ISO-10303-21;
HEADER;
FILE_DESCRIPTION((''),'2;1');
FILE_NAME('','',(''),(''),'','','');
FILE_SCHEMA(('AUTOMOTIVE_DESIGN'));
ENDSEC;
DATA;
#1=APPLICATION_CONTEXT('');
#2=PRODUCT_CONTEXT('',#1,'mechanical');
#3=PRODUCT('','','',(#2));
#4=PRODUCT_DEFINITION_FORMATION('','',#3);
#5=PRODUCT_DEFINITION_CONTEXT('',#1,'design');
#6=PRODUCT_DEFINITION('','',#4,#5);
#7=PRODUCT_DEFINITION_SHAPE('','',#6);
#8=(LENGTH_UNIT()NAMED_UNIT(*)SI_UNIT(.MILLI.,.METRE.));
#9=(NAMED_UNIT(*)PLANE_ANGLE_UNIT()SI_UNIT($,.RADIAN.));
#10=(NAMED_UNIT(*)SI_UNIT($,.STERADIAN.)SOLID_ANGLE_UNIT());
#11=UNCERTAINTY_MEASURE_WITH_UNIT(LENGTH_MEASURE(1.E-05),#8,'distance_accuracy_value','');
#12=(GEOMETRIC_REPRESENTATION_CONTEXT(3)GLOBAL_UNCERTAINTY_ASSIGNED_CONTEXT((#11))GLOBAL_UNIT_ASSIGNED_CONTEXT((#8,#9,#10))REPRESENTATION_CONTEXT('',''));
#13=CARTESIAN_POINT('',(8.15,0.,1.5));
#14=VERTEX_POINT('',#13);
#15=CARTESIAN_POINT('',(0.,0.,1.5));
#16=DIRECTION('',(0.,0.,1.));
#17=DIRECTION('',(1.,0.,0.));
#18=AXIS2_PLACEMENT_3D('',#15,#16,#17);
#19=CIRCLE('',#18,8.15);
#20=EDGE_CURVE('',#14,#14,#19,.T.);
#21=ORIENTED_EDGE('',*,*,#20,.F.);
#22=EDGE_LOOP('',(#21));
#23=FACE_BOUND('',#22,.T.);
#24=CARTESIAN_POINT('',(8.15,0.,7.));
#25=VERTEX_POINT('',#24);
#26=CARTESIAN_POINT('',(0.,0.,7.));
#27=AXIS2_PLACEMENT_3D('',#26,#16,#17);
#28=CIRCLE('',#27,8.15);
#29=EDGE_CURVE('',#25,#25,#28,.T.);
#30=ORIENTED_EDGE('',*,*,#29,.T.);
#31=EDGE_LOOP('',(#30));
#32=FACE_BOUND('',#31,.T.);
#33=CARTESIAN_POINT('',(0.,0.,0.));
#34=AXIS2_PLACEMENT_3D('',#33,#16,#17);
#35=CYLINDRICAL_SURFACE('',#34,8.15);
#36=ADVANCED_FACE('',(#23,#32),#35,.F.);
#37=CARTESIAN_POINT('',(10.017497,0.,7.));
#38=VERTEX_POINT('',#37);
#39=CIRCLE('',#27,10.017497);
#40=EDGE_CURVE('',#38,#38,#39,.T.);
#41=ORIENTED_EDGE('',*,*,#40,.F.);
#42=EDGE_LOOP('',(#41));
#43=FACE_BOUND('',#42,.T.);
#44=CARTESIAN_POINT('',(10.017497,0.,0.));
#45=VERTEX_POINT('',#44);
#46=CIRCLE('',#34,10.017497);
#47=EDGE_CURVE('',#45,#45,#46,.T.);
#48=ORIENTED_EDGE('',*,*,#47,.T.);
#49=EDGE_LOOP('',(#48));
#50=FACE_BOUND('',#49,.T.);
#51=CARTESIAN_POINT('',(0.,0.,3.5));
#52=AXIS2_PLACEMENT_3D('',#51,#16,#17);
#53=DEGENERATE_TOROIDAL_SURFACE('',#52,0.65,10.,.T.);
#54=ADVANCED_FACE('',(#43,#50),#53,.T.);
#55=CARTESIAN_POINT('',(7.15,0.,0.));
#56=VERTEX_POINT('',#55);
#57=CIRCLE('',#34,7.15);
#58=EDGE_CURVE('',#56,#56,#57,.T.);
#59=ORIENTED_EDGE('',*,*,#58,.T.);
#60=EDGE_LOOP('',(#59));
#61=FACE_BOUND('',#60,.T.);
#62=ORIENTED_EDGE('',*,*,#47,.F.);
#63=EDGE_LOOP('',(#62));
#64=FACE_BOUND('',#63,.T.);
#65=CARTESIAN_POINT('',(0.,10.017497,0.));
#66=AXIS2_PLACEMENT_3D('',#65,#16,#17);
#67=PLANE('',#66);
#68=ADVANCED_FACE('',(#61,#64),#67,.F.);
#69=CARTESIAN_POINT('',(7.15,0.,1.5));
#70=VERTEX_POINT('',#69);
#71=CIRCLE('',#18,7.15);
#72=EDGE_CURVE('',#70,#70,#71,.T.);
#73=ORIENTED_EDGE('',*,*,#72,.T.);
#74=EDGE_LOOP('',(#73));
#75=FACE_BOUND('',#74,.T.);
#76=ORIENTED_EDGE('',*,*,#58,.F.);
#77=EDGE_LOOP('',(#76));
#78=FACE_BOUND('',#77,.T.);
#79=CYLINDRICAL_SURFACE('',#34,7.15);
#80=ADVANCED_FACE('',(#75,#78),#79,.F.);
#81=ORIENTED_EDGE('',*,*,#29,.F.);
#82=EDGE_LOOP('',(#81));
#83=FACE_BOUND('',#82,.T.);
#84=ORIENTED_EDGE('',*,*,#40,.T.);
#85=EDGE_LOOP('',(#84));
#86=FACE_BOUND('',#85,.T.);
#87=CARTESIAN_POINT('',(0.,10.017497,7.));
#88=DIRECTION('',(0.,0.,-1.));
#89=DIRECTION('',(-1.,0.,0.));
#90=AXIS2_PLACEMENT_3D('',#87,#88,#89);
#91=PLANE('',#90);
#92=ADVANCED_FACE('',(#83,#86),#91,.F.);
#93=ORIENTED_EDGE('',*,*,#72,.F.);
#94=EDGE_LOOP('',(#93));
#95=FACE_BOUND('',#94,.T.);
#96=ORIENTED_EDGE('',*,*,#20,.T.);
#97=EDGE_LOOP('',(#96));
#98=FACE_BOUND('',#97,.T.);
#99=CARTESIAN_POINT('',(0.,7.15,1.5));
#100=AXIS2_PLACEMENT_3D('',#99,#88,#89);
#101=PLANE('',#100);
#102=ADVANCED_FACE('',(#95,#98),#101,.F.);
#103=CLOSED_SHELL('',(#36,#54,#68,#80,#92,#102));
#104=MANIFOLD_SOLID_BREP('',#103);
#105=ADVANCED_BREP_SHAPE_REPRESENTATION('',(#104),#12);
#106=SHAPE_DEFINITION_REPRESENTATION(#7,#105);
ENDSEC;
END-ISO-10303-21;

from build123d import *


with BuildPart() as part:
    # Sketch2 → Revolve1 (revolve)
    with BuildSketch(Plane(origin=(0, 0, 0), x_dir=(0, 0, -1), z_dir=(1, 0, 0))):
        with BuildLine():
            Line((-7, 10.017496998), (-7, 8.15))
            Line((-7, 8.15), (-1.5, 8.15))
            Line((-1.5, 8.15), (-1.5, 7.15))
            Line((-1.5, 7.15), (0, 7.15))
            Line((0, 7.15), (0, 10.017496998))
            ThreePointArc((0, 10.017496998), (-3.5, 10.65), (-7, 10.017496998))
        make_face()
    revolve(axis=Axis((0, 0, 0), (0, 0, -1)))


solid = part.part
